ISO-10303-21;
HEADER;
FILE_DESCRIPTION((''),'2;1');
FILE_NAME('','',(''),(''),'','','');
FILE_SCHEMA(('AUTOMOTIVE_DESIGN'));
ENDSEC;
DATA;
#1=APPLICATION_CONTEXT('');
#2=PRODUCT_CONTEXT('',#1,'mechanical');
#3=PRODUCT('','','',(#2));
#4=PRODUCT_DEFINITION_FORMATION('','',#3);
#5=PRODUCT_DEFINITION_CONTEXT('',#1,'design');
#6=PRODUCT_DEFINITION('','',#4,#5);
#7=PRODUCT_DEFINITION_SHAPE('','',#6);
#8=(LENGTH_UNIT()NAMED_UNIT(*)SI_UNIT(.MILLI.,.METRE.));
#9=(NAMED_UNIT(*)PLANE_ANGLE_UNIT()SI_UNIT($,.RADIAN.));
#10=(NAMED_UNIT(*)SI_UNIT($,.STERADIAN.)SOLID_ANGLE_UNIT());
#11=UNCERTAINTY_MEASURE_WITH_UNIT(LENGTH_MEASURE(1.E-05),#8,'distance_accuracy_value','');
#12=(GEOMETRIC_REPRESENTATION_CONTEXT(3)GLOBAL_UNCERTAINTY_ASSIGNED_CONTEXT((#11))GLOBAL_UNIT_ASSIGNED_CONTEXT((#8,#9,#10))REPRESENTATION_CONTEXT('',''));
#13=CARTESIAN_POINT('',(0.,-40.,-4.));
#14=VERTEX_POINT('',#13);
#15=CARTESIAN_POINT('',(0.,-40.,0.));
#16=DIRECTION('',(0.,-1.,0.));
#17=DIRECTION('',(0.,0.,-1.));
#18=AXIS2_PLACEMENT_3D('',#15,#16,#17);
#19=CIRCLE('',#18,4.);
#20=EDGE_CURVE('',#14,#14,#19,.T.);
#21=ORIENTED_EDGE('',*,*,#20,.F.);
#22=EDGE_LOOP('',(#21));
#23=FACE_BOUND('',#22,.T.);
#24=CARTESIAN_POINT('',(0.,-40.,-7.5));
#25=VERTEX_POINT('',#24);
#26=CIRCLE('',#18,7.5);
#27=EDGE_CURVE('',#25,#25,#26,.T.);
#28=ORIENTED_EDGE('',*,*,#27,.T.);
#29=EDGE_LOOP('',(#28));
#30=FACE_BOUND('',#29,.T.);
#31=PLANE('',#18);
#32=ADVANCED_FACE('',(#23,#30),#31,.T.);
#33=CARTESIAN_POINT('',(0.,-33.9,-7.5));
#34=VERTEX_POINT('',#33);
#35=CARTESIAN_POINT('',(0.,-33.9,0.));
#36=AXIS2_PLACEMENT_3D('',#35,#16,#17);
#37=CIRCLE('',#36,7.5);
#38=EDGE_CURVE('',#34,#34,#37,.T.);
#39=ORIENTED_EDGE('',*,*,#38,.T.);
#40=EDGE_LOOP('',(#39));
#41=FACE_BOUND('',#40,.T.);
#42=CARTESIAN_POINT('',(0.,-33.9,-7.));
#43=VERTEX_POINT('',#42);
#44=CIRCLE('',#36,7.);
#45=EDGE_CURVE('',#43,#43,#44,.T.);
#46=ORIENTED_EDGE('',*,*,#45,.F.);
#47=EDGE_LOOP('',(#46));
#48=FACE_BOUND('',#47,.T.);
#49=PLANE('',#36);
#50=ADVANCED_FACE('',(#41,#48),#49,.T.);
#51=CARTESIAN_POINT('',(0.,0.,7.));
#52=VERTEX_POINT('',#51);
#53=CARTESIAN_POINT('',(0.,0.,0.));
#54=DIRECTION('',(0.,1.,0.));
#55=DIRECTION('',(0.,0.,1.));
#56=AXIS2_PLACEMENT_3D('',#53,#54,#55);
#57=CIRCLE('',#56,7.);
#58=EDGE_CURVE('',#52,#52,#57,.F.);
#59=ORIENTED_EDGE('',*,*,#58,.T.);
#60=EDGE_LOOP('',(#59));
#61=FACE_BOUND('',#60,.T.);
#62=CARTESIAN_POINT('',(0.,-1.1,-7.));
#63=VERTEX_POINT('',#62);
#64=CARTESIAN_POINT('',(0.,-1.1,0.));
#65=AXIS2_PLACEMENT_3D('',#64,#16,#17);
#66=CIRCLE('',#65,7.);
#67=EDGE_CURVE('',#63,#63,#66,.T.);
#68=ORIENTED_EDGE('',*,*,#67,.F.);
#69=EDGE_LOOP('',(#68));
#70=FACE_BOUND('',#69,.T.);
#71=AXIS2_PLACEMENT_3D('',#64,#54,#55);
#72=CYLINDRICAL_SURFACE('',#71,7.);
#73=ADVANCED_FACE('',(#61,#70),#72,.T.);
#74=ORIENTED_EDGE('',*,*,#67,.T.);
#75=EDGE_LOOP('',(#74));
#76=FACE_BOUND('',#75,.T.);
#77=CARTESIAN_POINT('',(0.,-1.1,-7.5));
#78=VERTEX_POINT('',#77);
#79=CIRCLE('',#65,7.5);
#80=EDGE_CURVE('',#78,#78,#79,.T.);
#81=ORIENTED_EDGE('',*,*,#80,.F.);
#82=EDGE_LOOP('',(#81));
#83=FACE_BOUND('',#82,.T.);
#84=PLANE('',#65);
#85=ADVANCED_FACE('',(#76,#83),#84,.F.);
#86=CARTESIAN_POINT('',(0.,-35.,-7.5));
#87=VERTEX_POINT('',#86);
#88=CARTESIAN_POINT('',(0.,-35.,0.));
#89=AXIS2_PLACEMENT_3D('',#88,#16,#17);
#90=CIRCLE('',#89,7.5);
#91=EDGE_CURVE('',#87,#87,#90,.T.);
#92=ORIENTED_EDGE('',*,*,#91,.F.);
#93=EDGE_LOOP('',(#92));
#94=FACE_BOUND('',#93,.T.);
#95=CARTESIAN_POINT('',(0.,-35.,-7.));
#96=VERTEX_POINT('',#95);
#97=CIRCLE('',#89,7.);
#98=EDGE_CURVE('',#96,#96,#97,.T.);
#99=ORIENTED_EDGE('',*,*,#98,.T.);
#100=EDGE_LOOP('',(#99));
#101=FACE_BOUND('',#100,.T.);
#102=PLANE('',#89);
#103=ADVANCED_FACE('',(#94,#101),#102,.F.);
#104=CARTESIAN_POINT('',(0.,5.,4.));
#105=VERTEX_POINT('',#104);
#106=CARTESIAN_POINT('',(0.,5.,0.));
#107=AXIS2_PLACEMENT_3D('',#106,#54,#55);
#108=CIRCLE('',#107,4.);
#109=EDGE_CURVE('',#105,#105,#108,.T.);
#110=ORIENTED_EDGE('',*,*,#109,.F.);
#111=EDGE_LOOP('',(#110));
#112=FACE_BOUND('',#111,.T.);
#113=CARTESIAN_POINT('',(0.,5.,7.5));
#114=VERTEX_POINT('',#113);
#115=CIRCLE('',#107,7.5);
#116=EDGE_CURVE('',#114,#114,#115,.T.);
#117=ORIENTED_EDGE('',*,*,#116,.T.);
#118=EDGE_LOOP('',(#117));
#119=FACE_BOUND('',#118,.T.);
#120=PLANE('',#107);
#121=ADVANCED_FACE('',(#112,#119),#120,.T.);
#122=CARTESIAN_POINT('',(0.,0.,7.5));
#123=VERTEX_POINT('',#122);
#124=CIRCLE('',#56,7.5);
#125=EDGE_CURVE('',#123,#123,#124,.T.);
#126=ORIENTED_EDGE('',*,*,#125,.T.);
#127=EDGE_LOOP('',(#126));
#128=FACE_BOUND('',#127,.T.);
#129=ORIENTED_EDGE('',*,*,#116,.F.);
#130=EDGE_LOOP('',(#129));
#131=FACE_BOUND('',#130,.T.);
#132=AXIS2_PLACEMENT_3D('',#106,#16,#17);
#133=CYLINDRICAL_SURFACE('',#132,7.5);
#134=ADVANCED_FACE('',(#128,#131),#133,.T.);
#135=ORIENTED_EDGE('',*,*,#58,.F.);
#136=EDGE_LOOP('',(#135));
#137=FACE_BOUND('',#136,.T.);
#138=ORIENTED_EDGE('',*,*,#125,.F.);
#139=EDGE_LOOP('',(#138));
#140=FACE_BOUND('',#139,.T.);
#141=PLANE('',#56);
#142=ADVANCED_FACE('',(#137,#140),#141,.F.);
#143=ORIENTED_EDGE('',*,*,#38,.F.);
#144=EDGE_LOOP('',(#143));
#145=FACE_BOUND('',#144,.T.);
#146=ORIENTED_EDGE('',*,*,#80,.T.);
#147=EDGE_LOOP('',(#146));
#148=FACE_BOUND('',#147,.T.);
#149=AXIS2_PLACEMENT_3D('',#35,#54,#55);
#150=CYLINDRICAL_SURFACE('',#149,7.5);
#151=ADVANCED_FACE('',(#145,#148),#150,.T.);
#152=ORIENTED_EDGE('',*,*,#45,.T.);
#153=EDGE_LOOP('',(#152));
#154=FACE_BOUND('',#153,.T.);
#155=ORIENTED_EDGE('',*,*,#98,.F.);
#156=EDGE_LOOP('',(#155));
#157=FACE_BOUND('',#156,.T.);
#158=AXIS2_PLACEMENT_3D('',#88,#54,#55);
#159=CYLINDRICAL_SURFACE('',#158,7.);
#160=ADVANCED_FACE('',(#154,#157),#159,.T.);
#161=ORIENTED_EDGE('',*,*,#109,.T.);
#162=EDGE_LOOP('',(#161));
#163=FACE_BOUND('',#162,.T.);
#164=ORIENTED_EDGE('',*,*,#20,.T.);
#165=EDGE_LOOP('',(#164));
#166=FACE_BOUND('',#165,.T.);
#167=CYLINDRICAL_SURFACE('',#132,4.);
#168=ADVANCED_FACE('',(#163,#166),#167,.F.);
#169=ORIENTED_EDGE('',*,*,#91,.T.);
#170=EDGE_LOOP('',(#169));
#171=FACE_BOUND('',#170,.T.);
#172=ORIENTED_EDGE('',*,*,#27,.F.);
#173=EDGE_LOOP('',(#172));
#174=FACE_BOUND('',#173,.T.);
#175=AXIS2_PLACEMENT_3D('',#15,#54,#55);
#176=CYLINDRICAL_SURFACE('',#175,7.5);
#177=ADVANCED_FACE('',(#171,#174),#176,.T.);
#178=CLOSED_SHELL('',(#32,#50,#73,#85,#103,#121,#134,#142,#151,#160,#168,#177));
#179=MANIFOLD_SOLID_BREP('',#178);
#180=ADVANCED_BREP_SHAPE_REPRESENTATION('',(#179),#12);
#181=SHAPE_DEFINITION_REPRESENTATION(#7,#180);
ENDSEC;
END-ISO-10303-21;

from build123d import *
from build123d.topology import SkipClean

# Parameters (mm, degrees)
SKETCH1_R           = 7.5
SKETCH1_R_2         = 4
BOSS_EXTRUDE1_DEPTH = 5
BOSS_EXTRUDE2_START = 1.1
SKETCH2_R           = 7
SKETCH2_R_2         = 4
BOSS_EXTRUDE2_DEPTH = 1.1
BOSS_EXTRUDE3_START = 32.8
SKETCH3_R           = 7.5
SKETCH3_R_2         = 4
BOSS_EXTRUDE3_DEPTH = 32.8
BOSS_EXTRUDE5_START = 1.1
SKETCH5_R           = 7
SKETCH5_R_2         = 4
BOSS_EXTRUDE5_DEPTH = 1.1
BOSS_EXTRUDE6_START = 5
SKETCH6_R           = 7.5
SKETCH6_R_2         = 4
BOSS_EXTRUDE6_DEPTH = 5


with BuildPart() as part:
    # Sketch1 → Boss-Extrude1 (new body)
    with BuildSketch(Plane(origin=(0, 0, 0), x_dir=(1, 0, 0), z_dir=(0, 1, 0))):
        with Locations(Location((0, 0, 0), (0, 0, 270))):
            Circle(SKETCH1_R)
        with Locations(Location((0, 0, 0), (0, 0, 270))):
            Circle(SKETCH1_R_2, mode=Mode.SUBTRACT)
    extrude(amount=BOSS_EXTRUDE1_DEPTH)

    # Sketch2 → Boss-Extrude2 (add)
    with SkipClean():  # the faces are left unmerged after this step: merging them gives an invalid solid
        with BuildSketch(Plane.XZ.offset(BOSS_EXTRUDE2_START)):
            with Locations(Location((0, 0, 0), (0, 0, 90))):
                Circle(SKETCH2_R)
            with Locations(Location((0, 0, 0), (0, 0, 270))):
                Circle(SKETCH2_R_2, mode=Mode.SUBTRACT)
        extrude(amount=-BOSS_EXTRUDE2_DEPTH)

    # Sketch3 → Boss-Extrude3 (add)
    with SkipClean():  # the faces are left unmerged after this step: merging them gives an invalid solid
        with BuildSketch(Plane.XZ.offset(1.1).offset(BOSS_EXTRUDE3_START)):
            with Locations(Location((0, 0, 0), (0, 0, 90))):
                Circle(SKETCH3_R)
            with Locations(Location((0, 0, 0), (0, 0, 270))):
                Circle(SKETCH3_R_2, mode=Mode.SUBTRACT)
        extrude(amount=-BOSS_EXTRUDE3_DEPTH)

    # Sketch5 → Boss-Extrude5 (add)
    with SkipClean():  # the faces are left unmerged after this step: merging them gives an invalid solid
        with BuildSketch(Plane.XZ.offset(33.9).offset(BOSS_EXTRUDE5_START)):
            with Locations(Location((0, 0, 0), (0, 0, 90))):
                Circle(SKETCH5_R)
            with Locations(Location((0, 0, 0), (0, 0, 270))):
                Circle(SKETCH5_R_2, mode=Mode.SUBTRACT)
        extrude(amount=-BOSS_EXTRUDE5_DEPTH)

    # Sketch6 → Boss-Extrude6 (add)
    with SkipClean():  # the faces are left unmerged after this step: merging them gives an invalid solid
        with BuildSketch(Plane.XZ.offset(35).offset(BOSS_EXTRUDE6_START)):
            with Locations(Location((0, 0, 0), (0, 0, 90))):
                Circle(SKETCH6_R)
            with Locations(Location((0, 0, 0), (0, 0, 270))):
                Circle(SKETCH6_R_2, mode=Mode.SUBTRACT)
        extrude(amount=-BOSS_EXTRUDE6_DEPTH)


solid = part.part
